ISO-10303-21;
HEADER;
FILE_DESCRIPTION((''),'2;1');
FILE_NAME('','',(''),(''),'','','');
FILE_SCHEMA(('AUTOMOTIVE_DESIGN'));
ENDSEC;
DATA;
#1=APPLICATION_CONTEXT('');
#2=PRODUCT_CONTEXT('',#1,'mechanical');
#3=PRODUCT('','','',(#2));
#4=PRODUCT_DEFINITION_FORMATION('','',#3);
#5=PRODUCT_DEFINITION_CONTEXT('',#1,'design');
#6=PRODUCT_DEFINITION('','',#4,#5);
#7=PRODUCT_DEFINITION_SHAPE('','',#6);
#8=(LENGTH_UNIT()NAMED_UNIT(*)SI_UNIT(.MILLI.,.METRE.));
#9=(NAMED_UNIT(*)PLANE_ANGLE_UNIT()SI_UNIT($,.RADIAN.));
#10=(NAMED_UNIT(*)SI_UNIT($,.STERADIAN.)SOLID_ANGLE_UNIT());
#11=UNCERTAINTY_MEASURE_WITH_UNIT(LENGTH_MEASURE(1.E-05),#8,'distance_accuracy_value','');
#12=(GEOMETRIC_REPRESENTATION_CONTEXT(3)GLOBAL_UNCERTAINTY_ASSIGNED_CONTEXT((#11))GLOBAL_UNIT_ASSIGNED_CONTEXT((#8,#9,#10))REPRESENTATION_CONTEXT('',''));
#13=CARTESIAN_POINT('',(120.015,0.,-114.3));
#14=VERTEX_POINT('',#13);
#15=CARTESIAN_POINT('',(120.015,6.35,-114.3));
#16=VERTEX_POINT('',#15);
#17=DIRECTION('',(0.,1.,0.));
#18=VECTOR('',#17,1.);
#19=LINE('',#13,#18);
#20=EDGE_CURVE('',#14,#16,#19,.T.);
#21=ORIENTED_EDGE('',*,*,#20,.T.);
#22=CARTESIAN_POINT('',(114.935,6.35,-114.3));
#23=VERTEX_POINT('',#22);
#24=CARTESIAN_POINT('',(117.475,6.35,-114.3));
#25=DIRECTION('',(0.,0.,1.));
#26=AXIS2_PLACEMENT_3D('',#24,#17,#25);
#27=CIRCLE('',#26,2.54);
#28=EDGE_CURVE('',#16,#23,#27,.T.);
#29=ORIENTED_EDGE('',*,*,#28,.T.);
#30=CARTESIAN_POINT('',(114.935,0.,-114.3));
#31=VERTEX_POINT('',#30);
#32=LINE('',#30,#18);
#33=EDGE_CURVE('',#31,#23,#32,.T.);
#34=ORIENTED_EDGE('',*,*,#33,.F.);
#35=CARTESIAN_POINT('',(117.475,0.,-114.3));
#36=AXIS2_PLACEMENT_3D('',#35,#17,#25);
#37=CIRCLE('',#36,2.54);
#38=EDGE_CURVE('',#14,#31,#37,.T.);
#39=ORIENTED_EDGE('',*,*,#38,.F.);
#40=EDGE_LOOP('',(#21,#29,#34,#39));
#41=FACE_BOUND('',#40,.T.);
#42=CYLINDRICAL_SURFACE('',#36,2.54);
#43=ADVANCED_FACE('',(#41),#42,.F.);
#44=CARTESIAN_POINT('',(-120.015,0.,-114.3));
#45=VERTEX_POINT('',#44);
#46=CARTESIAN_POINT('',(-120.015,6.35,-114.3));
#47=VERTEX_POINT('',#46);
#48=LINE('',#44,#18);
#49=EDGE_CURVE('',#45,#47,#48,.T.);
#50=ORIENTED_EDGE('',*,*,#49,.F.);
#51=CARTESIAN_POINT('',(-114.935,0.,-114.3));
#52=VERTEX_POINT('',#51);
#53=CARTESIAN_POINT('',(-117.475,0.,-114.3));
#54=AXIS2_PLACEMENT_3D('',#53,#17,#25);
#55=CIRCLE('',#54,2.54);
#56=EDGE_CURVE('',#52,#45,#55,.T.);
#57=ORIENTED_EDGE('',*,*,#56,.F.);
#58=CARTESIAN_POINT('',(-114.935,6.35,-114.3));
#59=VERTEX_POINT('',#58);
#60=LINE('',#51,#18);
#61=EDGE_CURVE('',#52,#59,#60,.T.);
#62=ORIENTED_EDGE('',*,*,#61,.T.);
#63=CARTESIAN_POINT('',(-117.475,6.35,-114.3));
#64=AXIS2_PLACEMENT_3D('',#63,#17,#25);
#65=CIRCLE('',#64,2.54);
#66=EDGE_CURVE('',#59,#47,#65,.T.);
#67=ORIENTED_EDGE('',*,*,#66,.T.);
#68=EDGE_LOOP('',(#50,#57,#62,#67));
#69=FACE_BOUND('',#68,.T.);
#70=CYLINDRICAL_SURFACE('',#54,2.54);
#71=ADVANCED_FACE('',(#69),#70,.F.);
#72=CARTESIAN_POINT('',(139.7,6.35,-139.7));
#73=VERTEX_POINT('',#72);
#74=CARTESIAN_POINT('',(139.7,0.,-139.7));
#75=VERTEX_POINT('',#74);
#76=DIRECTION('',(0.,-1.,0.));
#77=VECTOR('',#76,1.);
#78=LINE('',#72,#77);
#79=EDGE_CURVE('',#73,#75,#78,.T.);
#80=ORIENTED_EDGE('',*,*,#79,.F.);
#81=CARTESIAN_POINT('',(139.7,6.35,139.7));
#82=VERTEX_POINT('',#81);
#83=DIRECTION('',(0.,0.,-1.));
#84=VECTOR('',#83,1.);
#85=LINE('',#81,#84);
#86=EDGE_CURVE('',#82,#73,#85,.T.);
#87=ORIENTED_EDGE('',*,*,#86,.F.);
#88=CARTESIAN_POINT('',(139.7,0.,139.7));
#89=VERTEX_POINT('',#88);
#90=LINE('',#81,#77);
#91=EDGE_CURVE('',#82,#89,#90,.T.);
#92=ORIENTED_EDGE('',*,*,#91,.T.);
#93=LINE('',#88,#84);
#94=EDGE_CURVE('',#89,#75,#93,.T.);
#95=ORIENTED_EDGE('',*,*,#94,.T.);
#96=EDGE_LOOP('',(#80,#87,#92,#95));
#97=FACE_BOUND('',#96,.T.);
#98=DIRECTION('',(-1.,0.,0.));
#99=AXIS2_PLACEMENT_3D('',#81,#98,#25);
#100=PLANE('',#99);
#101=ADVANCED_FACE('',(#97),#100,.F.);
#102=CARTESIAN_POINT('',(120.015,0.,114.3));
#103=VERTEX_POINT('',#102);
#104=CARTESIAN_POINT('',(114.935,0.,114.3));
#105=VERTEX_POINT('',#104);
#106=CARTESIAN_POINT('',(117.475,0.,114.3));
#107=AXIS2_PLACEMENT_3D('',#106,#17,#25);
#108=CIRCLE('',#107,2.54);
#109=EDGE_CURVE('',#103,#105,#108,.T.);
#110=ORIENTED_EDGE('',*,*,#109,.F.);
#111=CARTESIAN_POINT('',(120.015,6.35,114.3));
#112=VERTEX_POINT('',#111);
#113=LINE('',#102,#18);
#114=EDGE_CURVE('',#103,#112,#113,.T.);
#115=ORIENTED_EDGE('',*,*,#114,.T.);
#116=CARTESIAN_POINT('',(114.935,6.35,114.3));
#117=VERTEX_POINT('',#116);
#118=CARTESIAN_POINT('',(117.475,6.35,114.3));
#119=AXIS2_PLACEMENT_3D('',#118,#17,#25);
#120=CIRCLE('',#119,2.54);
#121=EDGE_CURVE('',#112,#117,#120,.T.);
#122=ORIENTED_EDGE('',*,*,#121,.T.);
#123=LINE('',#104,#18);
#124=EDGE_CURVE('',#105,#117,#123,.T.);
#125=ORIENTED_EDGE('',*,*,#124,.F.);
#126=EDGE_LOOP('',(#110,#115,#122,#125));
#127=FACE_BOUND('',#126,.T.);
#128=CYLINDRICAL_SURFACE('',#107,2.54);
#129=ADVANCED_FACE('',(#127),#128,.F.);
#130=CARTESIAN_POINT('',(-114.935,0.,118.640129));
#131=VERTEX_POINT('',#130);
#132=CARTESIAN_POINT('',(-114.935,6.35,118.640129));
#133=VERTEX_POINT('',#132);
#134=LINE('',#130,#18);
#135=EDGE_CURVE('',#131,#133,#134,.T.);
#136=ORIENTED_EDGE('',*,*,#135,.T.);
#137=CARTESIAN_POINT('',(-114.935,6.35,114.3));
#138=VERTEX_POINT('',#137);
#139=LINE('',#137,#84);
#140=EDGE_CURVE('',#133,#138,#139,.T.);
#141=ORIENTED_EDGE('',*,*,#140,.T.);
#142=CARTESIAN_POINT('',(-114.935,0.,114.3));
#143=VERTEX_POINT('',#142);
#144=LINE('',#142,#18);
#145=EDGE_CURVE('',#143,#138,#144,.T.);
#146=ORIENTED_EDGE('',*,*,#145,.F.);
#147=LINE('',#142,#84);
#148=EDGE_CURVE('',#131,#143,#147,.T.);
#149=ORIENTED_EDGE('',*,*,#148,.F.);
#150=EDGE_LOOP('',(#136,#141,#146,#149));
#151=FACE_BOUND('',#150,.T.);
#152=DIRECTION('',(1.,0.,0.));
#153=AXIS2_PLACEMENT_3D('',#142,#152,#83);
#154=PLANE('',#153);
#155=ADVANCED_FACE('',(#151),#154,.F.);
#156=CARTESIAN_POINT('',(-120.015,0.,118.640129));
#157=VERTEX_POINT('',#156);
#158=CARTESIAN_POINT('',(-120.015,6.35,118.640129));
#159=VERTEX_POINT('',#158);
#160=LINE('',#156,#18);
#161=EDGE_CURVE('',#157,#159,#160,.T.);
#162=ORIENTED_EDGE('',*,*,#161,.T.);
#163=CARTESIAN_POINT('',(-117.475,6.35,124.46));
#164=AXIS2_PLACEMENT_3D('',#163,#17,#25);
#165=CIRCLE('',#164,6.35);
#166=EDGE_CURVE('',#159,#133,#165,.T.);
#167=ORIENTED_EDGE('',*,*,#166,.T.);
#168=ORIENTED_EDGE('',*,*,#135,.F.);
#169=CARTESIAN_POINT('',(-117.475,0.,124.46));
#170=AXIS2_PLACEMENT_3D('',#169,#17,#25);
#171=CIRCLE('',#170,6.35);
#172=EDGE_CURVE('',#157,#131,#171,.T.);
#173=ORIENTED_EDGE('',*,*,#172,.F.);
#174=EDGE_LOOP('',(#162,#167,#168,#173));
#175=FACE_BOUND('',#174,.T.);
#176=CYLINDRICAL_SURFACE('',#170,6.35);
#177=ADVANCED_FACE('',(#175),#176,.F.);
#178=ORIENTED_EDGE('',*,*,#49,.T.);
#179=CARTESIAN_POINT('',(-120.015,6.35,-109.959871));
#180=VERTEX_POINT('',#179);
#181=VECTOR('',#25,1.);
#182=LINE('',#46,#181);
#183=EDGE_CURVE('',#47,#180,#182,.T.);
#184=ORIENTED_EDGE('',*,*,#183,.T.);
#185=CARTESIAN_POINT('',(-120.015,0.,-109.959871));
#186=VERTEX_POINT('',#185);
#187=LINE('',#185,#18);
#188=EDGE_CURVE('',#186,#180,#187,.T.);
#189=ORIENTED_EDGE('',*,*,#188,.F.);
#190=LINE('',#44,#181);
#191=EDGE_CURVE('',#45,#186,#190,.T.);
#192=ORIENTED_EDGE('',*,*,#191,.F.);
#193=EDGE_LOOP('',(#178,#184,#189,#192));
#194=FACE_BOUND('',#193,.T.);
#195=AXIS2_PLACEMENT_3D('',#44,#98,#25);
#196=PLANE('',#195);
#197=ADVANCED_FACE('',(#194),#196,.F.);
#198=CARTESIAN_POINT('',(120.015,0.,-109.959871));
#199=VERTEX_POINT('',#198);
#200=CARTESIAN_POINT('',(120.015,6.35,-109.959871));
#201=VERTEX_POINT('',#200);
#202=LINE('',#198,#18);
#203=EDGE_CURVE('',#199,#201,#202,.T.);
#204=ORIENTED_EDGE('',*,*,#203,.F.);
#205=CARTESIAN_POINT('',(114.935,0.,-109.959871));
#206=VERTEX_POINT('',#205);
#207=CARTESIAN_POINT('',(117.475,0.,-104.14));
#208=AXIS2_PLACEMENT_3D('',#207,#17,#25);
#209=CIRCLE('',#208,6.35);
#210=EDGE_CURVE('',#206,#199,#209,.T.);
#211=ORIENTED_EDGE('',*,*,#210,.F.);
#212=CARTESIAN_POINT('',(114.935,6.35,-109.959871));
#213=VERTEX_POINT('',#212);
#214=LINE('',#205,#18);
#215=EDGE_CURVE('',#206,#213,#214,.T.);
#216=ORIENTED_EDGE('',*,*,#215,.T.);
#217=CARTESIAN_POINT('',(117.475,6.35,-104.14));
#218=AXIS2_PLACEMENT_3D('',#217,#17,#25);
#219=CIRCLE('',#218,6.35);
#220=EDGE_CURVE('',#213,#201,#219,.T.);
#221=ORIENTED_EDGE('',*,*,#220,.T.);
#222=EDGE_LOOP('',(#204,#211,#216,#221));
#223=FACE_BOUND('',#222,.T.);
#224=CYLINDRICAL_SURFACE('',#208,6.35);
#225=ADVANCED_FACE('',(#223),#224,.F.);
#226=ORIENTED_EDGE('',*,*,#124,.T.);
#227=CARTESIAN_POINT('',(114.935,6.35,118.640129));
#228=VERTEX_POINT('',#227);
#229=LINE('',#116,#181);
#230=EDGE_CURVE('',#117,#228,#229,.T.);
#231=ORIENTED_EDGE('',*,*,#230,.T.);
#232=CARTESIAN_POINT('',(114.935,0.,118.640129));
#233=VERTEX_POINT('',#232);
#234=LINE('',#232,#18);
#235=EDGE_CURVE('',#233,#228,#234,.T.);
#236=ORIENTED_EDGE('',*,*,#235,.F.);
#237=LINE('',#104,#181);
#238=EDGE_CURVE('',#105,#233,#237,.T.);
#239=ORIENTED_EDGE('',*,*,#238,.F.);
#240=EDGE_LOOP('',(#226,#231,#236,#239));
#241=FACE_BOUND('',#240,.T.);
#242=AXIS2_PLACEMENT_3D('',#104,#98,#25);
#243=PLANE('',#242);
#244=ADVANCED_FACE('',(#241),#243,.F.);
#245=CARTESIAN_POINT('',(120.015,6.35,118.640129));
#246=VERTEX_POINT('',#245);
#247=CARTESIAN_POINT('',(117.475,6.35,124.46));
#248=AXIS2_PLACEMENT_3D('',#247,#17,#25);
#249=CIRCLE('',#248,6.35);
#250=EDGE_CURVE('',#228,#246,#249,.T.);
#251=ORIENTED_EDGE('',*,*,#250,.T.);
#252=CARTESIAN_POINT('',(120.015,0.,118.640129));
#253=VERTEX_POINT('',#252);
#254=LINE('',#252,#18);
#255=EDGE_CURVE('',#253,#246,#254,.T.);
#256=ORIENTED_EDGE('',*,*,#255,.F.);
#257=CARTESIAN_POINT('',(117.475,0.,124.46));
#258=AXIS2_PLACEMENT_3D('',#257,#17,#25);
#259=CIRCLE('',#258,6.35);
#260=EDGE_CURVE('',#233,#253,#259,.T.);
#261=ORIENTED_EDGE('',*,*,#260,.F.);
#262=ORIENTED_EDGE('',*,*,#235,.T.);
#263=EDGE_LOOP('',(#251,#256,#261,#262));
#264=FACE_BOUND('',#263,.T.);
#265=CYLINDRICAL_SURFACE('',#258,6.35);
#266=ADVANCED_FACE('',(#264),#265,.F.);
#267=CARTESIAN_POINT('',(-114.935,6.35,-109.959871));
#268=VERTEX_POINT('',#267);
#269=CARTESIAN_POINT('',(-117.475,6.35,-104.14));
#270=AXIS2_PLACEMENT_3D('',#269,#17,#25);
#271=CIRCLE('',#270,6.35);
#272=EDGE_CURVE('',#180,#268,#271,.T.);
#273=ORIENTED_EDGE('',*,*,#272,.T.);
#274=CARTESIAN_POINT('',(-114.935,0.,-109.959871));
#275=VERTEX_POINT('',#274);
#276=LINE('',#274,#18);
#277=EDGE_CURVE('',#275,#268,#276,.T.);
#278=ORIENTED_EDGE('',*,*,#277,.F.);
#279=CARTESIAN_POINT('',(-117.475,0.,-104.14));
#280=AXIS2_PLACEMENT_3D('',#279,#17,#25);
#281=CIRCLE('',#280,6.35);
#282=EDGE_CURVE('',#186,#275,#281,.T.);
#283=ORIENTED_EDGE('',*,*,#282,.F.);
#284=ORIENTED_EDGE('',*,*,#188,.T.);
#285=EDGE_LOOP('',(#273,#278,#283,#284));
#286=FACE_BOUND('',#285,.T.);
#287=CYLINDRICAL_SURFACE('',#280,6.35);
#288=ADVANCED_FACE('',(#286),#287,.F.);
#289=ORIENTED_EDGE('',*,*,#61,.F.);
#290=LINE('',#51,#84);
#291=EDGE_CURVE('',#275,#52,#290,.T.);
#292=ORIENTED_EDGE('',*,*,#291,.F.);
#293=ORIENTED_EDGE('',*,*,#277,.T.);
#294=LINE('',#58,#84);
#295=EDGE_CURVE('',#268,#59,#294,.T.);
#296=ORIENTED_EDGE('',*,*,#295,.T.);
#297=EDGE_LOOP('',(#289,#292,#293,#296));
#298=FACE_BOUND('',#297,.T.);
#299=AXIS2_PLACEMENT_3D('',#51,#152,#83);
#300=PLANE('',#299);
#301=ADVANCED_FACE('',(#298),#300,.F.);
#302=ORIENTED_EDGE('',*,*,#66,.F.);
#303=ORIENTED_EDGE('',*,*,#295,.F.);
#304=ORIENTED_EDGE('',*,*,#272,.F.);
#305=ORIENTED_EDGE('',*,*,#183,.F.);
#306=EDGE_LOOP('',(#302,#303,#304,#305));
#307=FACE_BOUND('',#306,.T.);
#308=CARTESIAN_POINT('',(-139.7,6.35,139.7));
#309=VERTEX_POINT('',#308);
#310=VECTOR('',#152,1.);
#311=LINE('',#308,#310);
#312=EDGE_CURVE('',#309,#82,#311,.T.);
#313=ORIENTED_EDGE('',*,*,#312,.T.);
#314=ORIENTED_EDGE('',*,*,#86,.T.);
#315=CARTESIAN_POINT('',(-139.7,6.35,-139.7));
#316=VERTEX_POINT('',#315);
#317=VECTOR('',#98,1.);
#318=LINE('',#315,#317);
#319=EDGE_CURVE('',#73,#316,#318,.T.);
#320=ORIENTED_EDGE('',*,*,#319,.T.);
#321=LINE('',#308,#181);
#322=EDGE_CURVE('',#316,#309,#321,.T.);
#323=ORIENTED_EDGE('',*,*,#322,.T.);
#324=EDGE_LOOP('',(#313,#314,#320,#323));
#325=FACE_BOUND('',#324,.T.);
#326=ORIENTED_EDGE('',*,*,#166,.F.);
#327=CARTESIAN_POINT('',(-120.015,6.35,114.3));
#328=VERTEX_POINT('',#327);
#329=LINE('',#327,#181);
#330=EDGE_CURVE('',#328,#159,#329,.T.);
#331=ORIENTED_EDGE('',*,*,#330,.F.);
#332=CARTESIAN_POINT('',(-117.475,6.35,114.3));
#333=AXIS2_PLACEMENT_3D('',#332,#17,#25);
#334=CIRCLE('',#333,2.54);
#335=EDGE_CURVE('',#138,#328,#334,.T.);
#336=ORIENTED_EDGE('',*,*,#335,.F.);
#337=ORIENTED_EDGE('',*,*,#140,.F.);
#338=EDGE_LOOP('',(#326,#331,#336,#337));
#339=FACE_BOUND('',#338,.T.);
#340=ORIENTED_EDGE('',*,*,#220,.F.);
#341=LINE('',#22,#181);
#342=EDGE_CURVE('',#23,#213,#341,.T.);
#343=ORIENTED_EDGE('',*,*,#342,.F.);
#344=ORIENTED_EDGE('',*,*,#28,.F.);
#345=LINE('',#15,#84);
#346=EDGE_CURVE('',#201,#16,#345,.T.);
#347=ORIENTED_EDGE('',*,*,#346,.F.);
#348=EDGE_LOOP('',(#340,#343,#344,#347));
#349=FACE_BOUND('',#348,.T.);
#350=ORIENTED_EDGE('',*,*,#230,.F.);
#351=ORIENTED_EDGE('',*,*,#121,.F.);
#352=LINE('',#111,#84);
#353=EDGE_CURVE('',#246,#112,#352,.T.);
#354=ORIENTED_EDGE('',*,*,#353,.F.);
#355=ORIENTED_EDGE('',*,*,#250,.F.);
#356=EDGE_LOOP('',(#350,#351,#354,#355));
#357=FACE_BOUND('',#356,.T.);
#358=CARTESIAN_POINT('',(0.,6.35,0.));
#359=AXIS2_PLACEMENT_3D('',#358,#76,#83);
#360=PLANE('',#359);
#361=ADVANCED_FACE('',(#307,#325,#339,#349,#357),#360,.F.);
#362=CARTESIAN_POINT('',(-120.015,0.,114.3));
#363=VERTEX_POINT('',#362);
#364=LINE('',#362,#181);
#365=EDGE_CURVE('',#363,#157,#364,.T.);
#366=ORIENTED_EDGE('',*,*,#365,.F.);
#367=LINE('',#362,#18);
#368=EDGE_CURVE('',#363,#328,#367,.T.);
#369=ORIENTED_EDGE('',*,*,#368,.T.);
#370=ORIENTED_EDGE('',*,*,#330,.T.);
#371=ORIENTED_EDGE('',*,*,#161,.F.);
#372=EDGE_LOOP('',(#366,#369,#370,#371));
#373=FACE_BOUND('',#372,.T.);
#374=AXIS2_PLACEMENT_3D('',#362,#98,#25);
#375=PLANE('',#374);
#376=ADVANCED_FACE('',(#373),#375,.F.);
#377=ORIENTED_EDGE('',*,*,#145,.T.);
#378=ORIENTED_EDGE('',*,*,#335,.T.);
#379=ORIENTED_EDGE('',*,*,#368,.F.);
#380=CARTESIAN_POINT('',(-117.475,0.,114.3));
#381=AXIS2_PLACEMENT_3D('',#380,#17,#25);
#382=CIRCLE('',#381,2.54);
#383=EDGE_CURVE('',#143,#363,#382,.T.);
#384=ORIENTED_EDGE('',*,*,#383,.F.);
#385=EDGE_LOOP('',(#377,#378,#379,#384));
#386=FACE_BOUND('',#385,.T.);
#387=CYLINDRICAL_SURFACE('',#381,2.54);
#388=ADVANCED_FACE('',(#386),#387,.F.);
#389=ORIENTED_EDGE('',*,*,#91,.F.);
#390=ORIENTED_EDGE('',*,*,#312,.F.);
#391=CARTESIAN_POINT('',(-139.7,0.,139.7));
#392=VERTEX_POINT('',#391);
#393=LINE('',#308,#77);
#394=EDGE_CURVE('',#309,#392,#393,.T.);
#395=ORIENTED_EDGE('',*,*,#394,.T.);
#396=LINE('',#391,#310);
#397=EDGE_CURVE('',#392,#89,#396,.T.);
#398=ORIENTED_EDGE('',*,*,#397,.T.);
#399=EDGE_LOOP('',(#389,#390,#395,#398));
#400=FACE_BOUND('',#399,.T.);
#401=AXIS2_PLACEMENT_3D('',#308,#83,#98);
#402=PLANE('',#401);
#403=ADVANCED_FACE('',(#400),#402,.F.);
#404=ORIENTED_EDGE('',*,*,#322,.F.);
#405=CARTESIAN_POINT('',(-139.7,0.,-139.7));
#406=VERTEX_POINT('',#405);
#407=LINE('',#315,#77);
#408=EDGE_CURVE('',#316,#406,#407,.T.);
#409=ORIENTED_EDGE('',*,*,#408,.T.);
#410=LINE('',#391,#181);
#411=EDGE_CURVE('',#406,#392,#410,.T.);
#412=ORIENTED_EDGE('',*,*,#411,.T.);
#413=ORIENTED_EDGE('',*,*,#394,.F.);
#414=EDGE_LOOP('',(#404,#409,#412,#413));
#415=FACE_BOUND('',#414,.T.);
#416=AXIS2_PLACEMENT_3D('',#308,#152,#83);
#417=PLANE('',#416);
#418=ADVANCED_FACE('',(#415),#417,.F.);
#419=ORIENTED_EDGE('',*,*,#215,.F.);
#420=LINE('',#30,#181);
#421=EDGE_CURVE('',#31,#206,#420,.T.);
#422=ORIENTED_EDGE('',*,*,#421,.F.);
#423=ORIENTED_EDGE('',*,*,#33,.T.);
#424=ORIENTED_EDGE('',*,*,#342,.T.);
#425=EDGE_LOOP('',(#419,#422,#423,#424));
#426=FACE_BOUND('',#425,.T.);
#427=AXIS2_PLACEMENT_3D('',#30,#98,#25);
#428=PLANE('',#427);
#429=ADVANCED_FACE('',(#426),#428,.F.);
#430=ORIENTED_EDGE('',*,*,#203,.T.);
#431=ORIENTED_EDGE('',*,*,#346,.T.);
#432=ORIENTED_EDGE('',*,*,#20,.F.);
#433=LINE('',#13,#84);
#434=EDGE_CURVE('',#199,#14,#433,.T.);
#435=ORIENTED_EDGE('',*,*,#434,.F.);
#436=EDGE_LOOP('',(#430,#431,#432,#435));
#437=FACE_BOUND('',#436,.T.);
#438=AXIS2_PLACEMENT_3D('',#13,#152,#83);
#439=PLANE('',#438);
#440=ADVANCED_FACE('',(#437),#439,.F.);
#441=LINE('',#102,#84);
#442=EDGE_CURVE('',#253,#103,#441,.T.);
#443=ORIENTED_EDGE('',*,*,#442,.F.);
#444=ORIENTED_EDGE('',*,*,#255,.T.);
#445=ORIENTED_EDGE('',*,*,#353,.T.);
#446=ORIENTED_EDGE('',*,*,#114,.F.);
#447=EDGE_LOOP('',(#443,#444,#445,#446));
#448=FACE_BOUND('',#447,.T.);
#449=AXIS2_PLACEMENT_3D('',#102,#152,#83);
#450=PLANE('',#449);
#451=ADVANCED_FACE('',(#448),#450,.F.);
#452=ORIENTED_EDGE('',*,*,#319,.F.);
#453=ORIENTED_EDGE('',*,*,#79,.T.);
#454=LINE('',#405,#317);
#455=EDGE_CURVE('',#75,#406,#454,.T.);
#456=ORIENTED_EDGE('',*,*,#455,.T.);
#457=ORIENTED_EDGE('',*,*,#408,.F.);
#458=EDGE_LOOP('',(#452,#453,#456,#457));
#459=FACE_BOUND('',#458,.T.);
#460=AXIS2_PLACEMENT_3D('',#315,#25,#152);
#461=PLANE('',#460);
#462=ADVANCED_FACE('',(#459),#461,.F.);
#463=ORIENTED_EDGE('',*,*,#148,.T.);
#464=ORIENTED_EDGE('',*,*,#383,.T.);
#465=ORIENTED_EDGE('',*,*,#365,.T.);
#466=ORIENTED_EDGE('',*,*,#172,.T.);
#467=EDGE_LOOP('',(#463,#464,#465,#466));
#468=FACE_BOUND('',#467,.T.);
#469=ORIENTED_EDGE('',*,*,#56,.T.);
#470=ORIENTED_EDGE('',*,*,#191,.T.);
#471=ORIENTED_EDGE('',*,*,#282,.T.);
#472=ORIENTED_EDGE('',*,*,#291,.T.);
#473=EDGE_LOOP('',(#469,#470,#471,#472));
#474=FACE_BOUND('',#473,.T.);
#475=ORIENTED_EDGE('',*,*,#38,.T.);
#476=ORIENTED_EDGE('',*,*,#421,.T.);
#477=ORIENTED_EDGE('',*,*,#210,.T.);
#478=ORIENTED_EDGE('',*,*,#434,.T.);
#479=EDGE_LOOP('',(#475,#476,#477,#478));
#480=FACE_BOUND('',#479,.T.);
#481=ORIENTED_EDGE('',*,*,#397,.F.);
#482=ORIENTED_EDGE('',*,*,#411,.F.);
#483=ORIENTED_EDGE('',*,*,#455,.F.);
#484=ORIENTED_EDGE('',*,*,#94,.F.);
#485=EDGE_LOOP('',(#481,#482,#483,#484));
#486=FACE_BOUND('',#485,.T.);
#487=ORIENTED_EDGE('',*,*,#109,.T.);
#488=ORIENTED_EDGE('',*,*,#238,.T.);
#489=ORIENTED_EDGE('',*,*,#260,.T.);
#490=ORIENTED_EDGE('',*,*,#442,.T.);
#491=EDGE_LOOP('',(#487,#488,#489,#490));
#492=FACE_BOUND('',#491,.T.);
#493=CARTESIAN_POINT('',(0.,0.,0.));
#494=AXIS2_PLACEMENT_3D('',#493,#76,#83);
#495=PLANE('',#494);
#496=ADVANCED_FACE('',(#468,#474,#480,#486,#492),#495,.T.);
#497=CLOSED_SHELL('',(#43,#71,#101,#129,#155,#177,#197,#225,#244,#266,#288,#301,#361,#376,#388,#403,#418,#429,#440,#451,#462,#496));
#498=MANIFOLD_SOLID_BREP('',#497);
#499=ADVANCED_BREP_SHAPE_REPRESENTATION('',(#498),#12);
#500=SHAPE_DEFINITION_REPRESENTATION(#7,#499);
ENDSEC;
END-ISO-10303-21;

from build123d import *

# Parameters (mm, degrees)
SKETCH1_W            = 279.4
SKETCH1_H            = 279.4
BOSS_EXTRUDE1_DEPTH  = 6.35
CUT_EXTRUDE1_DEPTH   = 198.667656687
LPATTERN1_COUNT      = 2
LPATTERN1_PITCH      = 234.95
LPATTERN1_COUNT_DIR2 = 2
LPATTERN1_PITCH_DIR2 = 228.6


with BuildPart() as part:
    # Sketch1 → Boss-Extrude1 (new body)
    with BuildSketch(Plane(origin=(0, 0, 0), x_dir=(1, 0, 0), z_dir=(0, 1, 0))):
        Rectangle(SKETCH1_W, SKETCH1_H)
    extrude(amount=BOSS_EXTRUDE1_DEPTH)

    # Sketch2 → Cut-Extrude1 (cut, through all)
    with BuildSketch(Plane(origin=(0, 6.35, 0), x_dir=(1, 0, 0), z_dir=(0, 1, 0))):
        with BuildLine():
            Line((-114.935, 114.3), (-114.935, 109.959871133))
            ThreePointArc((-114.935, 109.959871133), (-117.475, 97.79), (-120.015, 109.959871133))
            Line((-120.015, 109.959871133), (-120.015, 114.3))
            ThreePointArc((-120.015, 114.3), (-117.475, 116.84), (-114.935, 114.3))
        make_face()
    cut_extrude1 = extrude(amount=-CUT_EXTRUDE1_DEPTH, mode=Mode.SUBTRACT)

    # LPattern1: Cut-Extrude1 2 × 2
    with Locations(*[(i * LPATTERN1_PITCH, 0, j * LPATTERN1_PITCH_DIR2) for i in range(LPATTERN1_COUNT) for j in range(LPATTERN1_COUNT_DIR2) if (i, j) != (0, 0)]):
        add(cut_extrude1, mode=Mode.SUBTRACT)


solid = part.part
